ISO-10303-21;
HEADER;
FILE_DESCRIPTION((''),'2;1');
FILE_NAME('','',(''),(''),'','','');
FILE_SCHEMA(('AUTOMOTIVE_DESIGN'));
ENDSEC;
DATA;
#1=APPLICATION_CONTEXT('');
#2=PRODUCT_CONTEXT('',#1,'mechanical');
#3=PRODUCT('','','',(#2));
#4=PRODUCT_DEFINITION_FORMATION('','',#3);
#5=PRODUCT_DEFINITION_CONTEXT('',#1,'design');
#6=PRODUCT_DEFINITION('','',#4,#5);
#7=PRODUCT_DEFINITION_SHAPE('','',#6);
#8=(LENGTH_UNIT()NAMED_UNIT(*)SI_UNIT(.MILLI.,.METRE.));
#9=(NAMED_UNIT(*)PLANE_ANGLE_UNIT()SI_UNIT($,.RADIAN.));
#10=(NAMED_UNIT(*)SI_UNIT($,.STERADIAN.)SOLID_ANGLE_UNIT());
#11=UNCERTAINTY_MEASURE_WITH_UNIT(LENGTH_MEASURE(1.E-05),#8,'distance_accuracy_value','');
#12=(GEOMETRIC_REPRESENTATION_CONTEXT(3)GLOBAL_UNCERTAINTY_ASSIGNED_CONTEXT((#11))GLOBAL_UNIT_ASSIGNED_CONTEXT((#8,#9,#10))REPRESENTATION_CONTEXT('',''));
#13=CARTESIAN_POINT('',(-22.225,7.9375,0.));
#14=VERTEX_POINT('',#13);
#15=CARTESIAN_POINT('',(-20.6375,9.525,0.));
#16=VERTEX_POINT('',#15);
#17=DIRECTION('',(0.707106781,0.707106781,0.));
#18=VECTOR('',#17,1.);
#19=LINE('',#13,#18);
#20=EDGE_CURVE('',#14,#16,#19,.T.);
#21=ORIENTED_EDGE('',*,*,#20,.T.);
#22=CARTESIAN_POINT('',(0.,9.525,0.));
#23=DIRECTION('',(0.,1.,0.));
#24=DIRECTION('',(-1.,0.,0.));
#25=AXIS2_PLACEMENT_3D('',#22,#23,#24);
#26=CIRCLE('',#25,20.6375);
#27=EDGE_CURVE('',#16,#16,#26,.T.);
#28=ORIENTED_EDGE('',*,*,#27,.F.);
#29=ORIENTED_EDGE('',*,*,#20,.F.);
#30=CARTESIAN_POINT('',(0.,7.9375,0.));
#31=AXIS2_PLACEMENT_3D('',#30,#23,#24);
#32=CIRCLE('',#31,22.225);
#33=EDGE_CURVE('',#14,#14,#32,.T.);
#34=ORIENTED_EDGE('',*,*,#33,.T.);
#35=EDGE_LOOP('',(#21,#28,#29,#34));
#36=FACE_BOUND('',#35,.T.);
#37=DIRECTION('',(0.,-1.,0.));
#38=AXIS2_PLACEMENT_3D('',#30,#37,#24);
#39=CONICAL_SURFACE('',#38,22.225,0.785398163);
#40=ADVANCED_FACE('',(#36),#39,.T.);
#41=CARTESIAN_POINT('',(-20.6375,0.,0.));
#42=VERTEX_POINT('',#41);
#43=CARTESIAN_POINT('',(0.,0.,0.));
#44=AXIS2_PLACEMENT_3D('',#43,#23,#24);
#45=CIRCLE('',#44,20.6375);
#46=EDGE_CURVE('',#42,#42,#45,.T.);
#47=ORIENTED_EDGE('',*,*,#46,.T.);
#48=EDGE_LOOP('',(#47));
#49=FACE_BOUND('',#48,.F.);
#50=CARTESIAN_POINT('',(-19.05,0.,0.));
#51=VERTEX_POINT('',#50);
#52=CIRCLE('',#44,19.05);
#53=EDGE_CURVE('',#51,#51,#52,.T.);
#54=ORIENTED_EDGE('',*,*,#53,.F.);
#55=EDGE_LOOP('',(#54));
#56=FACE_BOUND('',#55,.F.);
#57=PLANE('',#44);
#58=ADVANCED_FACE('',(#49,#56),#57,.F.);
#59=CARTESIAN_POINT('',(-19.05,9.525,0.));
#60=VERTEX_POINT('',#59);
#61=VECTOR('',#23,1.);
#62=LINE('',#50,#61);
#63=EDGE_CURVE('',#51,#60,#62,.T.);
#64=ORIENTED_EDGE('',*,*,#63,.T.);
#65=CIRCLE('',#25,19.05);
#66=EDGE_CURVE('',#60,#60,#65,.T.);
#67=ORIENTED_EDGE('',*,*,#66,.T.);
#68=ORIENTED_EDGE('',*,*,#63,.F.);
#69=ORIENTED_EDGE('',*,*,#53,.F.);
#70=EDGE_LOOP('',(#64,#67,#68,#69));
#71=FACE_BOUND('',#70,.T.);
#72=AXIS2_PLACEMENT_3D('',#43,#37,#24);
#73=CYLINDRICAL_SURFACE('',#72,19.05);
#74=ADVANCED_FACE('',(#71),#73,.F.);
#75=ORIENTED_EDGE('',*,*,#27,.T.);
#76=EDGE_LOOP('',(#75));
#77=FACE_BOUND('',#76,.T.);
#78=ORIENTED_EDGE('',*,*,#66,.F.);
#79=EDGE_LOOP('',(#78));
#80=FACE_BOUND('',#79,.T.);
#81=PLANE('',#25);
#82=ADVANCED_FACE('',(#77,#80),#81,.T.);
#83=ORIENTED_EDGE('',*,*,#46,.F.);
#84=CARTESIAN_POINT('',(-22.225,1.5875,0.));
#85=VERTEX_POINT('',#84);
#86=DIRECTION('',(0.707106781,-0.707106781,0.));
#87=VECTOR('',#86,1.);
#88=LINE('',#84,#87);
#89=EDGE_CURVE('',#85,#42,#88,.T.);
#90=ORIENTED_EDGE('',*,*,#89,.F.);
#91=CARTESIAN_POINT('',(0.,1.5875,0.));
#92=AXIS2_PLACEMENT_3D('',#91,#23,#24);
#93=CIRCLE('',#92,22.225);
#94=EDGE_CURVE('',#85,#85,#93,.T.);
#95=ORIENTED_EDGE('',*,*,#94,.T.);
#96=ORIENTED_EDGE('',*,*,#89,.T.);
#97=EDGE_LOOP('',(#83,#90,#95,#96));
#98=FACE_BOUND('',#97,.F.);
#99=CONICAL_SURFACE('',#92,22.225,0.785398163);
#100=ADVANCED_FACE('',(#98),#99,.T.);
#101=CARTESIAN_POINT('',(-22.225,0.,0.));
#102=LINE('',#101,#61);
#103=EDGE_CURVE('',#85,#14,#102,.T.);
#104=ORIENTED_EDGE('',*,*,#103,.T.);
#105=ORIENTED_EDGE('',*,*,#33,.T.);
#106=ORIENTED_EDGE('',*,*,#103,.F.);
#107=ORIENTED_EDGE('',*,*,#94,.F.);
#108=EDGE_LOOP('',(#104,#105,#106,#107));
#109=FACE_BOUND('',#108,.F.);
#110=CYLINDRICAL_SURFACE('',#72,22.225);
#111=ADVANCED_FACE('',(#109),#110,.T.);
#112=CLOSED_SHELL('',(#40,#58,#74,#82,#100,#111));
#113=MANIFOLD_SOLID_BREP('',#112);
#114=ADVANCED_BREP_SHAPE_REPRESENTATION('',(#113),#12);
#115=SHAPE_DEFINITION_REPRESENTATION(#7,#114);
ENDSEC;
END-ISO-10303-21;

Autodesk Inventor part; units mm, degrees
ref_plane "YZ Plane" through (0, 0, 0) normal (1, 0, 0) x (0, 1, 0)
ref_plane "XZ Plane" through (0, 0, 0) normal (0, 1, 0) x (-1, 0, 0)
ref_plane "XY Plane" through (0, 0, 0) normal (0, 0, 1) x (1, 0, 0)
sketch "Sketch1" plane through (0, 0, 0) normal (0, 1, 0) x (-1, 0, 0)
  circle A0 centre (0, 0) radius 19.05
  circle A1 centre (0, 0) radius 22.225
  dimension "d0" = 38.1
  dimension "d1" = 44.45
extrude "Extrusion1" add sketch "Sketch1" along normal blind 9.525
chamfer "Chamfer1" distance 1.5875 angle 45 2 edges at (22.225, 9.525, 0) (22.225, 0, 0)
properties part number "Motor Clutch" material "Rubber, Silicone"
